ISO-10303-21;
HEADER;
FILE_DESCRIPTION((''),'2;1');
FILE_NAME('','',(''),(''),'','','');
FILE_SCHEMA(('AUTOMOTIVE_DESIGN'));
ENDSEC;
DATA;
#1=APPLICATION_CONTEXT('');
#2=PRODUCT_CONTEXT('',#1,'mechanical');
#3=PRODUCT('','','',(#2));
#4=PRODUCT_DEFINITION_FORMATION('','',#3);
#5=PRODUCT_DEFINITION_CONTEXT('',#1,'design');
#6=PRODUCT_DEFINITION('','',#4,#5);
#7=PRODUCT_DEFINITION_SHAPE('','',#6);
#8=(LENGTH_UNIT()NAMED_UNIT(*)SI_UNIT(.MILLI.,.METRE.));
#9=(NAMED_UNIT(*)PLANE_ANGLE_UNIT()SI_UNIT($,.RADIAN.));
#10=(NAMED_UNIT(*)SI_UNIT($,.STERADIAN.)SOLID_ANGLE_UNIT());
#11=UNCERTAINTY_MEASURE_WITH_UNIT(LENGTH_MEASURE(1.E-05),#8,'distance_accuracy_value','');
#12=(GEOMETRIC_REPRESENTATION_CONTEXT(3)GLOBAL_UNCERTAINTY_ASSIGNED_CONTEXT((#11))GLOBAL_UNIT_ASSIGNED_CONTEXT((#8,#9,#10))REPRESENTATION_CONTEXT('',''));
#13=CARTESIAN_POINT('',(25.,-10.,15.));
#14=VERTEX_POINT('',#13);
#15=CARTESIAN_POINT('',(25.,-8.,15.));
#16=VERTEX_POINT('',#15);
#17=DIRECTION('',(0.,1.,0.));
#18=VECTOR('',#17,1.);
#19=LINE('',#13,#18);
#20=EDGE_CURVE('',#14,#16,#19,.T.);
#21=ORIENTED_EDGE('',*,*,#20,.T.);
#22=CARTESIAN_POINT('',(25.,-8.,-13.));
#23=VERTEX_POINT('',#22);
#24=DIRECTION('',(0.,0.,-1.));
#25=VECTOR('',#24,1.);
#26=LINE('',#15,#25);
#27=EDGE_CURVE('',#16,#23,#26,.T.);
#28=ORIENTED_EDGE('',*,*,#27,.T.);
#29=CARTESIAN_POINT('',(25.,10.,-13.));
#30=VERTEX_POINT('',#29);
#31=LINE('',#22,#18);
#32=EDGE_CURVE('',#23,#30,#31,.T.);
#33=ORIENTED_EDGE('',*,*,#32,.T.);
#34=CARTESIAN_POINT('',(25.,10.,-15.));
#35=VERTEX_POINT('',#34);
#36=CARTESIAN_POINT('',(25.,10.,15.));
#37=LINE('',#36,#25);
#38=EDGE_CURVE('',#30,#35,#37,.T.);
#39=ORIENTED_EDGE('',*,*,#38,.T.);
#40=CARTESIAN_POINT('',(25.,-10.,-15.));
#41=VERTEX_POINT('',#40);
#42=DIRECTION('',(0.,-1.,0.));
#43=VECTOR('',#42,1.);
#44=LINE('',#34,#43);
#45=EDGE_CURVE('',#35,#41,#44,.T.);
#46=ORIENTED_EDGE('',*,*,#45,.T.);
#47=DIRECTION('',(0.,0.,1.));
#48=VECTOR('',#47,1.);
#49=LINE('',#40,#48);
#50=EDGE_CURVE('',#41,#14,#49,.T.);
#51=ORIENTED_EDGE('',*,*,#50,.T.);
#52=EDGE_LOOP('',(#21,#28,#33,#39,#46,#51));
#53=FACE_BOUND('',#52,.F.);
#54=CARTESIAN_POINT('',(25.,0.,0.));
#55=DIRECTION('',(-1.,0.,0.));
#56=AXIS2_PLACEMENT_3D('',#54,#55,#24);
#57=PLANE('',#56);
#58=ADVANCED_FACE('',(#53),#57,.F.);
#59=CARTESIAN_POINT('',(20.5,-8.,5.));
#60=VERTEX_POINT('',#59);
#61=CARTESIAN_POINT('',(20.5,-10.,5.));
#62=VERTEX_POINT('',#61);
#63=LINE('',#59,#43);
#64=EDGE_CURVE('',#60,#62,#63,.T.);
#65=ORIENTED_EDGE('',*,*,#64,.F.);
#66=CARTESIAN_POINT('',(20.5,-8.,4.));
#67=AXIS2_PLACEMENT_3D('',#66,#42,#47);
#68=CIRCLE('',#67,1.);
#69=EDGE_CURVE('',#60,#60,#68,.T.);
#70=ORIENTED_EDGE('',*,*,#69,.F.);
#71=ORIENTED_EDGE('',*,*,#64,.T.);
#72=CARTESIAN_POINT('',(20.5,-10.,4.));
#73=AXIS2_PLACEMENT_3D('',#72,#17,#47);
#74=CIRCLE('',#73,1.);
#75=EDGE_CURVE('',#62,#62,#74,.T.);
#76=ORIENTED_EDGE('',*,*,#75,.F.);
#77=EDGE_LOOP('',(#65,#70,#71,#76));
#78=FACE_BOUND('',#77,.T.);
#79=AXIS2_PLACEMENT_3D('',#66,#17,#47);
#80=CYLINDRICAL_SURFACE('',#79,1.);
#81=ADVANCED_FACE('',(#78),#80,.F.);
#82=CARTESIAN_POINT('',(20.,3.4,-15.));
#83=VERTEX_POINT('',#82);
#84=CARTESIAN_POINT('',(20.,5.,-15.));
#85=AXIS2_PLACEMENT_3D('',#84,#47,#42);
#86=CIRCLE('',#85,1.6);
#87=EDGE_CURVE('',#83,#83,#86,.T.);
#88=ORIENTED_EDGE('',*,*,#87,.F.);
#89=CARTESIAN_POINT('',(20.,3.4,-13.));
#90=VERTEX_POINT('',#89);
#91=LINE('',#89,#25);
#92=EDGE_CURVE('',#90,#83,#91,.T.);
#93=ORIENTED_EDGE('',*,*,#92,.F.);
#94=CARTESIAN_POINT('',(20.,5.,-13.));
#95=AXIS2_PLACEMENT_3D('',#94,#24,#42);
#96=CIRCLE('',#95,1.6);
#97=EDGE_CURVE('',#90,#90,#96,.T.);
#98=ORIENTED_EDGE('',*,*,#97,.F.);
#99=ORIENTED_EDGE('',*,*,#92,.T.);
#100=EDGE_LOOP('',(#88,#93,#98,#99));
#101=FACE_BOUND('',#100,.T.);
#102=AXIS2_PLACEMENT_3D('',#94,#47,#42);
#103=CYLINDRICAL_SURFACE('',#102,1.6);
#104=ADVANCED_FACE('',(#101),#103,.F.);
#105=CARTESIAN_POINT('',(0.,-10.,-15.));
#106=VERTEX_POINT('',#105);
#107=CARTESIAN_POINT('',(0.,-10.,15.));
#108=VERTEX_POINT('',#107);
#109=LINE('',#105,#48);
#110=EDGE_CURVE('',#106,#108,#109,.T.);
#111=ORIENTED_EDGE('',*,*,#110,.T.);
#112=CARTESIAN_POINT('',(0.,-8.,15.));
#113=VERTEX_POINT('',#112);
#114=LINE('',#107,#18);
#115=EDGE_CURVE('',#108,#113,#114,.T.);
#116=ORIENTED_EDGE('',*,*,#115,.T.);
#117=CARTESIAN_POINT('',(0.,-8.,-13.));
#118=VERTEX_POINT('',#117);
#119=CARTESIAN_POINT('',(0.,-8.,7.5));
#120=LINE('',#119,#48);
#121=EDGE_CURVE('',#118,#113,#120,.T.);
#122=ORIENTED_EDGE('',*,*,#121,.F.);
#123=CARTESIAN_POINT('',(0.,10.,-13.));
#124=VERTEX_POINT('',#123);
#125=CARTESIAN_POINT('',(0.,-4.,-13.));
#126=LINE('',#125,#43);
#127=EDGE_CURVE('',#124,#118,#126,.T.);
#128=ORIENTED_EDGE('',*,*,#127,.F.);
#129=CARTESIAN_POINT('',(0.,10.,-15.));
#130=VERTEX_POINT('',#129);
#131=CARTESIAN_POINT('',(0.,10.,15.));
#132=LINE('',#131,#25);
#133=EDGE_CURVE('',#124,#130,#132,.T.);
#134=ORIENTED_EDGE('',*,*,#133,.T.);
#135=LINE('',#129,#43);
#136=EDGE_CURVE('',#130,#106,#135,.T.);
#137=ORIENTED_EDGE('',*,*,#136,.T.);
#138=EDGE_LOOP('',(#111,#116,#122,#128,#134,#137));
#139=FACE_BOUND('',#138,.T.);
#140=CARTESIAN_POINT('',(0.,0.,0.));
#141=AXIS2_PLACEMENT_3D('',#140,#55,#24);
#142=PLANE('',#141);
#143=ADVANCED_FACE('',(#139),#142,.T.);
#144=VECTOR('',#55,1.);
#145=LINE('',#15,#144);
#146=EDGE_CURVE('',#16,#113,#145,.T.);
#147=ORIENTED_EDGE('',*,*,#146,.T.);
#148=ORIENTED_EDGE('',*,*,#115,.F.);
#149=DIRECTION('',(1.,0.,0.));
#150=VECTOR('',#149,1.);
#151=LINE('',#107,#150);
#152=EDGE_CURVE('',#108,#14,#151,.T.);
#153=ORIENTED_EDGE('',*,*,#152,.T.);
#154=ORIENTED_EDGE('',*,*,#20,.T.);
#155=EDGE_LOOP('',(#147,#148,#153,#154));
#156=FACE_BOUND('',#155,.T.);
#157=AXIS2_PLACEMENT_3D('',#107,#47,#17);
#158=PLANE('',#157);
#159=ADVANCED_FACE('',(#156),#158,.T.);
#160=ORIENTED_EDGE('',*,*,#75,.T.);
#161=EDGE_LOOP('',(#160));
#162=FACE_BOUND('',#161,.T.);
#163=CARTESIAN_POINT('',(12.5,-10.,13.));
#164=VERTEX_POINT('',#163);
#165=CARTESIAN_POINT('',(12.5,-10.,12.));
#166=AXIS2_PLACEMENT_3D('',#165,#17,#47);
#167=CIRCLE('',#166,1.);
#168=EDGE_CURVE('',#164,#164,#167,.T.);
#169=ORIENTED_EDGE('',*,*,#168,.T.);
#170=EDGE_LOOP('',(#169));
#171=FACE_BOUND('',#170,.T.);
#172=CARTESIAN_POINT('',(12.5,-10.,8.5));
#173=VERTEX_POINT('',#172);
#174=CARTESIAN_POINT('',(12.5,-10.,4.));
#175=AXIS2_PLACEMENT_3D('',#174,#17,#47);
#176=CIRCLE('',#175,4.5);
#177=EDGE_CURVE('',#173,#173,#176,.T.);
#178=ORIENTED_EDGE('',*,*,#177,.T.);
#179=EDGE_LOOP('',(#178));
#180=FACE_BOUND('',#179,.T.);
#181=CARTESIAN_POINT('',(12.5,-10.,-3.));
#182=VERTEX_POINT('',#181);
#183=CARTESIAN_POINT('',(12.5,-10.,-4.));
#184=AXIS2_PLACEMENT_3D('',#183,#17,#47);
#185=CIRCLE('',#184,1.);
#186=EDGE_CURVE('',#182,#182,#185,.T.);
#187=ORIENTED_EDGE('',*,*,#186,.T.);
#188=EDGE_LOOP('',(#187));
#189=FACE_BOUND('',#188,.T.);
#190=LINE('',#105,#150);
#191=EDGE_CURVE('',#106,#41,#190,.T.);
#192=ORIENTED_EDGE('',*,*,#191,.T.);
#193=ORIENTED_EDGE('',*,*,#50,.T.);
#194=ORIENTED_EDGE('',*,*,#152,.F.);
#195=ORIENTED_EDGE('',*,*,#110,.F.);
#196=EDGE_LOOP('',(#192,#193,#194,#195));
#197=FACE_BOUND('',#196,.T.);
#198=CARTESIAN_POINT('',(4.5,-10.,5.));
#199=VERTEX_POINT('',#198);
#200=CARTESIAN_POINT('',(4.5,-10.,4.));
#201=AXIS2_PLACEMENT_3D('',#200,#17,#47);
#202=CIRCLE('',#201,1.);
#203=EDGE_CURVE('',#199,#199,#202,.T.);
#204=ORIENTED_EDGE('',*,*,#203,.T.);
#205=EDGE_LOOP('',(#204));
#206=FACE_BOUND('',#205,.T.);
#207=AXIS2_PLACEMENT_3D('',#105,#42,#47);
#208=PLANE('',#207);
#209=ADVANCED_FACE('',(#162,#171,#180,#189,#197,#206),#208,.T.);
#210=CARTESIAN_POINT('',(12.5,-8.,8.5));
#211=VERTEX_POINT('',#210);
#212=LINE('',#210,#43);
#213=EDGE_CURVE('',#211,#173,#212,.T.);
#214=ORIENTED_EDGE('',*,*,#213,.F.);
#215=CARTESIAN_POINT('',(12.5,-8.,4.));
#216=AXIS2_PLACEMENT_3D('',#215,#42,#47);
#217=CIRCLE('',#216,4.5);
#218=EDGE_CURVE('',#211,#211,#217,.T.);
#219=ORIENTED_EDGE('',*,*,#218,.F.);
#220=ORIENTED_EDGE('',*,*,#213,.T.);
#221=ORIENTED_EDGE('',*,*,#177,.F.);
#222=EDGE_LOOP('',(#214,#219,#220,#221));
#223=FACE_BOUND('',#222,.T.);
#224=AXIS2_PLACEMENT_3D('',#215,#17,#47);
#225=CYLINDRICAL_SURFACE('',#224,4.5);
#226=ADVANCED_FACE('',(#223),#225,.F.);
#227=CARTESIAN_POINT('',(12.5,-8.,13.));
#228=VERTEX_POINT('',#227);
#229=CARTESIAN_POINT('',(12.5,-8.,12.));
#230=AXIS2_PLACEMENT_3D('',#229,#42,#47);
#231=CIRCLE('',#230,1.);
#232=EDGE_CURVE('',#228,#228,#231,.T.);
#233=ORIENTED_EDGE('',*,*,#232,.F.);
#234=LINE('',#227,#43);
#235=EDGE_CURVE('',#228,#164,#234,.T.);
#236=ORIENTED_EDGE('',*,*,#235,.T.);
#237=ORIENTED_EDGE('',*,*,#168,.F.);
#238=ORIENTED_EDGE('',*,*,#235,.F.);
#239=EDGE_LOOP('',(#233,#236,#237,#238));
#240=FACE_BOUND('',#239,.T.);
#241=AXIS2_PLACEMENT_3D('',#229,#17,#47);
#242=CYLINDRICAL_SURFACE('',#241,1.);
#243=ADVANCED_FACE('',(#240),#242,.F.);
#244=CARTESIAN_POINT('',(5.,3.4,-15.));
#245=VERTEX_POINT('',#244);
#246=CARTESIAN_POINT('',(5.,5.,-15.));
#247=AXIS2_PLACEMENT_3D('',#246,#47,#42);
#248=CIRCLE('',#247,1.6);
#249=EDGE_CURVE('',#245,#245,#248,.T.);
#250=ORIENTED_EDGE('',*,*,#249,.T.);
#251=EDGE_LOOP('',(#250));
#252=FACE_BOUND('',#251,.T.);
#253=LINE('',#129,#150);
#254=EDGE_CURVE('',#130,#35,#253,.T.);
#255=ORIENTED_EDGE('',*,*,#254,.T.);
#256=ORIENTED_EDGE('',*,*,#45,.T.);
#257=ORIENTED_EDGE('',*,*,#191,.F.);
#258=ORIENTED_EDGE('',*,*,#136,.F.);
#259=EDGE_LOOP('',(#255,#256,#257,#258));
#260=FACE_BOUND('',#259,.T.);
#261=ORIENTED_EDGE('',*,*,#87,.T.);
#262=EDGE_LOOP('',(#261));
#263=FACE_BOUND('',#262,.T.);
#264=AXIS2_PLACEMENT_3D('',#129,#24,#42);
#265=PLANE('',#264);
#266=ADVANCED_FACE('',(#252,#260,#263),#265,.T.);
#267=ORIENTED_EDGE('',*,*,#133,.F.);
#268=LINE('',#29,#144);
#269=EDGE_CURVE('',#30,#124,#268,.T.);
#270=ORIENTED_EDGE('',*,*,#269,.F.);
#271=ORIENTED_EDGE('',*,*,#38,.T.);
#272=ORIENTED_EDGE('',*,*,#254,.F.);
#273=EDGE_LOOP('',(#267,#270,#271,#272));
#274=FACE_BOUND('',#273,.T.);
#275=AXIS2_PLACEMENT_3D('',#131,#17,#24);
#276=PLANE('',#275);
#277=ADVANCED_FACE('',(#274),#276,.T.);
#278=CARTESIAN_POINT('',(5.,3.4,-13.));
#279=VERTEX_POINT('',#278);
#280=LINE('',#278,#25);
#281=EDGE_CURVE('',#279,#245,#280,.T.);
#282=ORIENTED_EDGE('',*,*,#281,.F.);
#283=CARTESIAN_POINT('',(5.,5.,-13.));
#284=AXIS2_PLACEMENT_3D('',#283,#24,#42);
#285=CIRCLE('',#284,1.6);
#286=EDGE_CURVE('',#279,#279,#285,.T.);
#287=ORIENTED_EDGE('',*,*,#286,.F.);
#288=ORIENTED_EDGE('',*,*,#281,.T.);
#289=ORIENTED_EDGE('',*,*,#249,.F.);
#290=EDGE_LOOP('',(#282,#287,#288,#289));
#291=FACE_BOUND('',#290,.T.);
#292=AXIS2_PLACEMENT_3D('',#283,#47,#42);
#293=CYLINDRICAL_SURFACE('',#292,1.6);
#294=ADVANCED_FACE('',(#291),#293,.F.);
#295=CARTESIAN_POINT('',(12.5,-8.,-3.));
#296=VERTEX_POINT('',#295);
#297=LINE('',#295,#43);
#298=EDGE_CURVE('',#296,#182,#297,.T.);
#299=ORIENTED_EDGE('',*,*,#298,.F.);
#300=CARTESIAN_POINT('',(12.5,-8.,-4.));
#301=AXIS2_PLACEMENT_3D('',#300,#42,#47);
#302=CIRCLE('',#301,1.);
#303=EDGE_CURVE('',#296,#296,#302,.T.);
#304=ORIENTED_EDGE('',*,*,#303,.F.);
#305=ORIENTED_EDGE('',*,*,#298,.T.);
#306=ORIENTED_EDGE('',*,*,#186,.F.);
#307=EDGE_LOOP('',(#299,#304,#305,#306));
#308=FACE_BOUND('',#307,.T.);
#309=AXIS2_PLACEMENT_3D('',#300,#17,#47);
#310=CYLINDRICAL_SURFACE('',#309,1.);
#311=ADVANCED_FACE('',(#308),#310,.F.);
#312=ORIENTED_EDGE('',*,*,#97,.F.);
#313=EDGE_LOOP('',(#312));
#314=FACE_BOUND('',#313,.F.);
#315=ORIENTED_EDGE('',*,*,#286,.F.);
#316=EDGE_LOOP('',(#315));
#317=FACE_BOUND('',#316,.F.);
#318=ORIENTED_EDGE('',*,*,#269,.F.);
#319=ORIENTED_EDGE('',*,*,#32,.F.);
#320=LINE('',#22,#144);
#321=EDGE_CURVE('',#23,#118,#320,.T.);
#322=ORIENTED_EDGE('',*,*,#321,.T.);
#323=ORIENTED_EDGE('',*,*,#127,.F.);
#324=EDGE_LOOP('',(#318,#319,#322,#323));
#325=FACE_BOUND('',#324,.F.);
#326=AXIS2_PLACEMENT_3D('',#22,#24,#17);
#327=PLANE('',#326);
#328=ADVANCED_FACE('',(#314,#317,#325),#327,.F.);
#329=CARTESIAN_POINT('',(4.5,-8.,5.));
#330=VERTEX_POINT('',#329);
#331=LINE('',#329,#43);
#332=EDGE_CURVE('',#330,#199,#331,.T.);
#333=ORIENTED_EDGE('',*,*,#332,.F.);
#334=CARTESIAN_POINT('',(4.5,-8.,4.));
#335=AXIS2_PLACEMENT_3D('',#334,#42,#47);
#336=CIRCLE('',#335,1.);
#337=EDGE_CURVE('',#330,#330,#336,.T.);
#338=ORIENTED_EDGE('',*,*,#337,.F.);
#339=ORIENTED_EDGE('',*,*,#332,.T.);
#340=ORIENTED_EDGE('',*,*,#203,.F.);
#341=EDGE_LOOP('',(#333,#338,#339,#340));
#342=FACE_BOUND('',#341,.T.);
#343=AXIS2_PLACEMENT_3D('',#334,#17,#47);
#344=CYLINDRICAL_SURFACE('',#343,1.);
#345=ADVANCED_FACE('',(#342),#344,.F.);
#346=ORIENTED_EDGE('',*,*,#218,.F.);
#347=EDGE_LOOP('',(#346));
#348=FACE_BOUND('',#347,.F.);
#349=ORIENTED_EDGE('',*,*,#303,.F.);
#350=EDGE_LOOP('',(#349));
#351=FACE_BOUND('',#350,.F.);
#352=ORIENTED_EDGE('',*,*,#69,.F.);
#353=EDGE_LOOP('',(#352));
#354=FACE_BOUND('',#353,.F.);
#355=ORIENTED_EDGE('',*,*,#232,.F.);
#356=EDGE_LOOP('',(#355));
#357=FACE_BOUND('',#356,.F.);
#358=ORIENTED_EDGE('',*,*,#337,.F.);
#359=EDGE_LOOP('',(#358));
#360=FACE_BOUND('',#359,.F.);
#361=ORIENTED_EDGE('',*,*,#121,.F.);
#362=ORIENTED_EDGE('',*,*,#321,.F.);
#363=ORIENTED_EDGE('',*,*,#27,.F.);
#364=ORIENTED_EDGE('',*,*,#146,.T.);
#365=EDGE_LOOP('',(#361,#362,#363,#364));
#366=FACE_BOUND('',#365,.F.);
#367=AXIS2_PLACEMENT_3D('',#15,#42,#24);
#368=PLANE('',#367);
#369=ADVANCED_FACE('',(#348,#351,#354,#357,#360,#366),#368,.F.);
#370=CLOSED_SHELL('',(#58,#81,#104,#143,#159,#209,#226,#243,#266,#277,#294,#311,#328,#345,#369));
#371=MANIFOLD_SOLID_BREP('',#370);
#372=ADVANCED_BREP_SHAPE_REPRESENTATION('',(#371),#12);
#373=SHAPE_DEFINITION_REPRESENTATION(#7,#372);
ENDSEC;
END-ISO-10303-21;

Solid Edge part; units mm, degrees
sketch "Sketch1" plane through (0, 0, 0) normal (1, 0, 0) x (0, 1, 0)
  line L0 (10, -15) -> (-10, -15)
  line L1 (-10, -15) -> (-10, 15)
  line L2 (-10, 15) -> (10, 15)
  line L3 (10, 15) -> (10, -15)
  dimension "D1" = 30
  dimension "D2" = 20
extrude "Protrusion1" add sketch "Sketch1" along normal blind 25
sketch "Sketch2" plane through (25, 0, 0) normal (1, 0, 0) x (0, 1, 0)
  line L0 (10, 15) -> (-8, 15)
  line L1 (-8, 15) -> (-8, -13)
  line L2 (-8, -13) -> (10, -13)
  line L3 (10, -13) -> (10, 15)
  dimension "D1" = 2
  dimension "D2" = 2
extrude "Cutout1" cut sketch "Sketch2" against normal through all
hole "Hole_1" at (20, 5, -13) direction (0, 0, -1) diameter 3.2 end through all
hole "Hole1" at (5, 5, -13) direction (0, 0, -1) diameter 3.2 end through all
hole "Hole_3" at (12.5, -8, 12) direction (0, -1, 0) diameter 2 end through all
hole "Hole2" at (12.5, -8, -4) direction (0, -1, 0) diameter 2 end through all
hole "Hole3" at (20.5, -8, 4) direction (0, -1, 0) diameter 2 end through all
hole "Hole4" at (4.5, -8, 4) direction (0, -1, 0) diameter 2 end through all
hole "Hole_7" at (12.5, -8, 4) direction (0, -1, 0) diameter 9 end through all
